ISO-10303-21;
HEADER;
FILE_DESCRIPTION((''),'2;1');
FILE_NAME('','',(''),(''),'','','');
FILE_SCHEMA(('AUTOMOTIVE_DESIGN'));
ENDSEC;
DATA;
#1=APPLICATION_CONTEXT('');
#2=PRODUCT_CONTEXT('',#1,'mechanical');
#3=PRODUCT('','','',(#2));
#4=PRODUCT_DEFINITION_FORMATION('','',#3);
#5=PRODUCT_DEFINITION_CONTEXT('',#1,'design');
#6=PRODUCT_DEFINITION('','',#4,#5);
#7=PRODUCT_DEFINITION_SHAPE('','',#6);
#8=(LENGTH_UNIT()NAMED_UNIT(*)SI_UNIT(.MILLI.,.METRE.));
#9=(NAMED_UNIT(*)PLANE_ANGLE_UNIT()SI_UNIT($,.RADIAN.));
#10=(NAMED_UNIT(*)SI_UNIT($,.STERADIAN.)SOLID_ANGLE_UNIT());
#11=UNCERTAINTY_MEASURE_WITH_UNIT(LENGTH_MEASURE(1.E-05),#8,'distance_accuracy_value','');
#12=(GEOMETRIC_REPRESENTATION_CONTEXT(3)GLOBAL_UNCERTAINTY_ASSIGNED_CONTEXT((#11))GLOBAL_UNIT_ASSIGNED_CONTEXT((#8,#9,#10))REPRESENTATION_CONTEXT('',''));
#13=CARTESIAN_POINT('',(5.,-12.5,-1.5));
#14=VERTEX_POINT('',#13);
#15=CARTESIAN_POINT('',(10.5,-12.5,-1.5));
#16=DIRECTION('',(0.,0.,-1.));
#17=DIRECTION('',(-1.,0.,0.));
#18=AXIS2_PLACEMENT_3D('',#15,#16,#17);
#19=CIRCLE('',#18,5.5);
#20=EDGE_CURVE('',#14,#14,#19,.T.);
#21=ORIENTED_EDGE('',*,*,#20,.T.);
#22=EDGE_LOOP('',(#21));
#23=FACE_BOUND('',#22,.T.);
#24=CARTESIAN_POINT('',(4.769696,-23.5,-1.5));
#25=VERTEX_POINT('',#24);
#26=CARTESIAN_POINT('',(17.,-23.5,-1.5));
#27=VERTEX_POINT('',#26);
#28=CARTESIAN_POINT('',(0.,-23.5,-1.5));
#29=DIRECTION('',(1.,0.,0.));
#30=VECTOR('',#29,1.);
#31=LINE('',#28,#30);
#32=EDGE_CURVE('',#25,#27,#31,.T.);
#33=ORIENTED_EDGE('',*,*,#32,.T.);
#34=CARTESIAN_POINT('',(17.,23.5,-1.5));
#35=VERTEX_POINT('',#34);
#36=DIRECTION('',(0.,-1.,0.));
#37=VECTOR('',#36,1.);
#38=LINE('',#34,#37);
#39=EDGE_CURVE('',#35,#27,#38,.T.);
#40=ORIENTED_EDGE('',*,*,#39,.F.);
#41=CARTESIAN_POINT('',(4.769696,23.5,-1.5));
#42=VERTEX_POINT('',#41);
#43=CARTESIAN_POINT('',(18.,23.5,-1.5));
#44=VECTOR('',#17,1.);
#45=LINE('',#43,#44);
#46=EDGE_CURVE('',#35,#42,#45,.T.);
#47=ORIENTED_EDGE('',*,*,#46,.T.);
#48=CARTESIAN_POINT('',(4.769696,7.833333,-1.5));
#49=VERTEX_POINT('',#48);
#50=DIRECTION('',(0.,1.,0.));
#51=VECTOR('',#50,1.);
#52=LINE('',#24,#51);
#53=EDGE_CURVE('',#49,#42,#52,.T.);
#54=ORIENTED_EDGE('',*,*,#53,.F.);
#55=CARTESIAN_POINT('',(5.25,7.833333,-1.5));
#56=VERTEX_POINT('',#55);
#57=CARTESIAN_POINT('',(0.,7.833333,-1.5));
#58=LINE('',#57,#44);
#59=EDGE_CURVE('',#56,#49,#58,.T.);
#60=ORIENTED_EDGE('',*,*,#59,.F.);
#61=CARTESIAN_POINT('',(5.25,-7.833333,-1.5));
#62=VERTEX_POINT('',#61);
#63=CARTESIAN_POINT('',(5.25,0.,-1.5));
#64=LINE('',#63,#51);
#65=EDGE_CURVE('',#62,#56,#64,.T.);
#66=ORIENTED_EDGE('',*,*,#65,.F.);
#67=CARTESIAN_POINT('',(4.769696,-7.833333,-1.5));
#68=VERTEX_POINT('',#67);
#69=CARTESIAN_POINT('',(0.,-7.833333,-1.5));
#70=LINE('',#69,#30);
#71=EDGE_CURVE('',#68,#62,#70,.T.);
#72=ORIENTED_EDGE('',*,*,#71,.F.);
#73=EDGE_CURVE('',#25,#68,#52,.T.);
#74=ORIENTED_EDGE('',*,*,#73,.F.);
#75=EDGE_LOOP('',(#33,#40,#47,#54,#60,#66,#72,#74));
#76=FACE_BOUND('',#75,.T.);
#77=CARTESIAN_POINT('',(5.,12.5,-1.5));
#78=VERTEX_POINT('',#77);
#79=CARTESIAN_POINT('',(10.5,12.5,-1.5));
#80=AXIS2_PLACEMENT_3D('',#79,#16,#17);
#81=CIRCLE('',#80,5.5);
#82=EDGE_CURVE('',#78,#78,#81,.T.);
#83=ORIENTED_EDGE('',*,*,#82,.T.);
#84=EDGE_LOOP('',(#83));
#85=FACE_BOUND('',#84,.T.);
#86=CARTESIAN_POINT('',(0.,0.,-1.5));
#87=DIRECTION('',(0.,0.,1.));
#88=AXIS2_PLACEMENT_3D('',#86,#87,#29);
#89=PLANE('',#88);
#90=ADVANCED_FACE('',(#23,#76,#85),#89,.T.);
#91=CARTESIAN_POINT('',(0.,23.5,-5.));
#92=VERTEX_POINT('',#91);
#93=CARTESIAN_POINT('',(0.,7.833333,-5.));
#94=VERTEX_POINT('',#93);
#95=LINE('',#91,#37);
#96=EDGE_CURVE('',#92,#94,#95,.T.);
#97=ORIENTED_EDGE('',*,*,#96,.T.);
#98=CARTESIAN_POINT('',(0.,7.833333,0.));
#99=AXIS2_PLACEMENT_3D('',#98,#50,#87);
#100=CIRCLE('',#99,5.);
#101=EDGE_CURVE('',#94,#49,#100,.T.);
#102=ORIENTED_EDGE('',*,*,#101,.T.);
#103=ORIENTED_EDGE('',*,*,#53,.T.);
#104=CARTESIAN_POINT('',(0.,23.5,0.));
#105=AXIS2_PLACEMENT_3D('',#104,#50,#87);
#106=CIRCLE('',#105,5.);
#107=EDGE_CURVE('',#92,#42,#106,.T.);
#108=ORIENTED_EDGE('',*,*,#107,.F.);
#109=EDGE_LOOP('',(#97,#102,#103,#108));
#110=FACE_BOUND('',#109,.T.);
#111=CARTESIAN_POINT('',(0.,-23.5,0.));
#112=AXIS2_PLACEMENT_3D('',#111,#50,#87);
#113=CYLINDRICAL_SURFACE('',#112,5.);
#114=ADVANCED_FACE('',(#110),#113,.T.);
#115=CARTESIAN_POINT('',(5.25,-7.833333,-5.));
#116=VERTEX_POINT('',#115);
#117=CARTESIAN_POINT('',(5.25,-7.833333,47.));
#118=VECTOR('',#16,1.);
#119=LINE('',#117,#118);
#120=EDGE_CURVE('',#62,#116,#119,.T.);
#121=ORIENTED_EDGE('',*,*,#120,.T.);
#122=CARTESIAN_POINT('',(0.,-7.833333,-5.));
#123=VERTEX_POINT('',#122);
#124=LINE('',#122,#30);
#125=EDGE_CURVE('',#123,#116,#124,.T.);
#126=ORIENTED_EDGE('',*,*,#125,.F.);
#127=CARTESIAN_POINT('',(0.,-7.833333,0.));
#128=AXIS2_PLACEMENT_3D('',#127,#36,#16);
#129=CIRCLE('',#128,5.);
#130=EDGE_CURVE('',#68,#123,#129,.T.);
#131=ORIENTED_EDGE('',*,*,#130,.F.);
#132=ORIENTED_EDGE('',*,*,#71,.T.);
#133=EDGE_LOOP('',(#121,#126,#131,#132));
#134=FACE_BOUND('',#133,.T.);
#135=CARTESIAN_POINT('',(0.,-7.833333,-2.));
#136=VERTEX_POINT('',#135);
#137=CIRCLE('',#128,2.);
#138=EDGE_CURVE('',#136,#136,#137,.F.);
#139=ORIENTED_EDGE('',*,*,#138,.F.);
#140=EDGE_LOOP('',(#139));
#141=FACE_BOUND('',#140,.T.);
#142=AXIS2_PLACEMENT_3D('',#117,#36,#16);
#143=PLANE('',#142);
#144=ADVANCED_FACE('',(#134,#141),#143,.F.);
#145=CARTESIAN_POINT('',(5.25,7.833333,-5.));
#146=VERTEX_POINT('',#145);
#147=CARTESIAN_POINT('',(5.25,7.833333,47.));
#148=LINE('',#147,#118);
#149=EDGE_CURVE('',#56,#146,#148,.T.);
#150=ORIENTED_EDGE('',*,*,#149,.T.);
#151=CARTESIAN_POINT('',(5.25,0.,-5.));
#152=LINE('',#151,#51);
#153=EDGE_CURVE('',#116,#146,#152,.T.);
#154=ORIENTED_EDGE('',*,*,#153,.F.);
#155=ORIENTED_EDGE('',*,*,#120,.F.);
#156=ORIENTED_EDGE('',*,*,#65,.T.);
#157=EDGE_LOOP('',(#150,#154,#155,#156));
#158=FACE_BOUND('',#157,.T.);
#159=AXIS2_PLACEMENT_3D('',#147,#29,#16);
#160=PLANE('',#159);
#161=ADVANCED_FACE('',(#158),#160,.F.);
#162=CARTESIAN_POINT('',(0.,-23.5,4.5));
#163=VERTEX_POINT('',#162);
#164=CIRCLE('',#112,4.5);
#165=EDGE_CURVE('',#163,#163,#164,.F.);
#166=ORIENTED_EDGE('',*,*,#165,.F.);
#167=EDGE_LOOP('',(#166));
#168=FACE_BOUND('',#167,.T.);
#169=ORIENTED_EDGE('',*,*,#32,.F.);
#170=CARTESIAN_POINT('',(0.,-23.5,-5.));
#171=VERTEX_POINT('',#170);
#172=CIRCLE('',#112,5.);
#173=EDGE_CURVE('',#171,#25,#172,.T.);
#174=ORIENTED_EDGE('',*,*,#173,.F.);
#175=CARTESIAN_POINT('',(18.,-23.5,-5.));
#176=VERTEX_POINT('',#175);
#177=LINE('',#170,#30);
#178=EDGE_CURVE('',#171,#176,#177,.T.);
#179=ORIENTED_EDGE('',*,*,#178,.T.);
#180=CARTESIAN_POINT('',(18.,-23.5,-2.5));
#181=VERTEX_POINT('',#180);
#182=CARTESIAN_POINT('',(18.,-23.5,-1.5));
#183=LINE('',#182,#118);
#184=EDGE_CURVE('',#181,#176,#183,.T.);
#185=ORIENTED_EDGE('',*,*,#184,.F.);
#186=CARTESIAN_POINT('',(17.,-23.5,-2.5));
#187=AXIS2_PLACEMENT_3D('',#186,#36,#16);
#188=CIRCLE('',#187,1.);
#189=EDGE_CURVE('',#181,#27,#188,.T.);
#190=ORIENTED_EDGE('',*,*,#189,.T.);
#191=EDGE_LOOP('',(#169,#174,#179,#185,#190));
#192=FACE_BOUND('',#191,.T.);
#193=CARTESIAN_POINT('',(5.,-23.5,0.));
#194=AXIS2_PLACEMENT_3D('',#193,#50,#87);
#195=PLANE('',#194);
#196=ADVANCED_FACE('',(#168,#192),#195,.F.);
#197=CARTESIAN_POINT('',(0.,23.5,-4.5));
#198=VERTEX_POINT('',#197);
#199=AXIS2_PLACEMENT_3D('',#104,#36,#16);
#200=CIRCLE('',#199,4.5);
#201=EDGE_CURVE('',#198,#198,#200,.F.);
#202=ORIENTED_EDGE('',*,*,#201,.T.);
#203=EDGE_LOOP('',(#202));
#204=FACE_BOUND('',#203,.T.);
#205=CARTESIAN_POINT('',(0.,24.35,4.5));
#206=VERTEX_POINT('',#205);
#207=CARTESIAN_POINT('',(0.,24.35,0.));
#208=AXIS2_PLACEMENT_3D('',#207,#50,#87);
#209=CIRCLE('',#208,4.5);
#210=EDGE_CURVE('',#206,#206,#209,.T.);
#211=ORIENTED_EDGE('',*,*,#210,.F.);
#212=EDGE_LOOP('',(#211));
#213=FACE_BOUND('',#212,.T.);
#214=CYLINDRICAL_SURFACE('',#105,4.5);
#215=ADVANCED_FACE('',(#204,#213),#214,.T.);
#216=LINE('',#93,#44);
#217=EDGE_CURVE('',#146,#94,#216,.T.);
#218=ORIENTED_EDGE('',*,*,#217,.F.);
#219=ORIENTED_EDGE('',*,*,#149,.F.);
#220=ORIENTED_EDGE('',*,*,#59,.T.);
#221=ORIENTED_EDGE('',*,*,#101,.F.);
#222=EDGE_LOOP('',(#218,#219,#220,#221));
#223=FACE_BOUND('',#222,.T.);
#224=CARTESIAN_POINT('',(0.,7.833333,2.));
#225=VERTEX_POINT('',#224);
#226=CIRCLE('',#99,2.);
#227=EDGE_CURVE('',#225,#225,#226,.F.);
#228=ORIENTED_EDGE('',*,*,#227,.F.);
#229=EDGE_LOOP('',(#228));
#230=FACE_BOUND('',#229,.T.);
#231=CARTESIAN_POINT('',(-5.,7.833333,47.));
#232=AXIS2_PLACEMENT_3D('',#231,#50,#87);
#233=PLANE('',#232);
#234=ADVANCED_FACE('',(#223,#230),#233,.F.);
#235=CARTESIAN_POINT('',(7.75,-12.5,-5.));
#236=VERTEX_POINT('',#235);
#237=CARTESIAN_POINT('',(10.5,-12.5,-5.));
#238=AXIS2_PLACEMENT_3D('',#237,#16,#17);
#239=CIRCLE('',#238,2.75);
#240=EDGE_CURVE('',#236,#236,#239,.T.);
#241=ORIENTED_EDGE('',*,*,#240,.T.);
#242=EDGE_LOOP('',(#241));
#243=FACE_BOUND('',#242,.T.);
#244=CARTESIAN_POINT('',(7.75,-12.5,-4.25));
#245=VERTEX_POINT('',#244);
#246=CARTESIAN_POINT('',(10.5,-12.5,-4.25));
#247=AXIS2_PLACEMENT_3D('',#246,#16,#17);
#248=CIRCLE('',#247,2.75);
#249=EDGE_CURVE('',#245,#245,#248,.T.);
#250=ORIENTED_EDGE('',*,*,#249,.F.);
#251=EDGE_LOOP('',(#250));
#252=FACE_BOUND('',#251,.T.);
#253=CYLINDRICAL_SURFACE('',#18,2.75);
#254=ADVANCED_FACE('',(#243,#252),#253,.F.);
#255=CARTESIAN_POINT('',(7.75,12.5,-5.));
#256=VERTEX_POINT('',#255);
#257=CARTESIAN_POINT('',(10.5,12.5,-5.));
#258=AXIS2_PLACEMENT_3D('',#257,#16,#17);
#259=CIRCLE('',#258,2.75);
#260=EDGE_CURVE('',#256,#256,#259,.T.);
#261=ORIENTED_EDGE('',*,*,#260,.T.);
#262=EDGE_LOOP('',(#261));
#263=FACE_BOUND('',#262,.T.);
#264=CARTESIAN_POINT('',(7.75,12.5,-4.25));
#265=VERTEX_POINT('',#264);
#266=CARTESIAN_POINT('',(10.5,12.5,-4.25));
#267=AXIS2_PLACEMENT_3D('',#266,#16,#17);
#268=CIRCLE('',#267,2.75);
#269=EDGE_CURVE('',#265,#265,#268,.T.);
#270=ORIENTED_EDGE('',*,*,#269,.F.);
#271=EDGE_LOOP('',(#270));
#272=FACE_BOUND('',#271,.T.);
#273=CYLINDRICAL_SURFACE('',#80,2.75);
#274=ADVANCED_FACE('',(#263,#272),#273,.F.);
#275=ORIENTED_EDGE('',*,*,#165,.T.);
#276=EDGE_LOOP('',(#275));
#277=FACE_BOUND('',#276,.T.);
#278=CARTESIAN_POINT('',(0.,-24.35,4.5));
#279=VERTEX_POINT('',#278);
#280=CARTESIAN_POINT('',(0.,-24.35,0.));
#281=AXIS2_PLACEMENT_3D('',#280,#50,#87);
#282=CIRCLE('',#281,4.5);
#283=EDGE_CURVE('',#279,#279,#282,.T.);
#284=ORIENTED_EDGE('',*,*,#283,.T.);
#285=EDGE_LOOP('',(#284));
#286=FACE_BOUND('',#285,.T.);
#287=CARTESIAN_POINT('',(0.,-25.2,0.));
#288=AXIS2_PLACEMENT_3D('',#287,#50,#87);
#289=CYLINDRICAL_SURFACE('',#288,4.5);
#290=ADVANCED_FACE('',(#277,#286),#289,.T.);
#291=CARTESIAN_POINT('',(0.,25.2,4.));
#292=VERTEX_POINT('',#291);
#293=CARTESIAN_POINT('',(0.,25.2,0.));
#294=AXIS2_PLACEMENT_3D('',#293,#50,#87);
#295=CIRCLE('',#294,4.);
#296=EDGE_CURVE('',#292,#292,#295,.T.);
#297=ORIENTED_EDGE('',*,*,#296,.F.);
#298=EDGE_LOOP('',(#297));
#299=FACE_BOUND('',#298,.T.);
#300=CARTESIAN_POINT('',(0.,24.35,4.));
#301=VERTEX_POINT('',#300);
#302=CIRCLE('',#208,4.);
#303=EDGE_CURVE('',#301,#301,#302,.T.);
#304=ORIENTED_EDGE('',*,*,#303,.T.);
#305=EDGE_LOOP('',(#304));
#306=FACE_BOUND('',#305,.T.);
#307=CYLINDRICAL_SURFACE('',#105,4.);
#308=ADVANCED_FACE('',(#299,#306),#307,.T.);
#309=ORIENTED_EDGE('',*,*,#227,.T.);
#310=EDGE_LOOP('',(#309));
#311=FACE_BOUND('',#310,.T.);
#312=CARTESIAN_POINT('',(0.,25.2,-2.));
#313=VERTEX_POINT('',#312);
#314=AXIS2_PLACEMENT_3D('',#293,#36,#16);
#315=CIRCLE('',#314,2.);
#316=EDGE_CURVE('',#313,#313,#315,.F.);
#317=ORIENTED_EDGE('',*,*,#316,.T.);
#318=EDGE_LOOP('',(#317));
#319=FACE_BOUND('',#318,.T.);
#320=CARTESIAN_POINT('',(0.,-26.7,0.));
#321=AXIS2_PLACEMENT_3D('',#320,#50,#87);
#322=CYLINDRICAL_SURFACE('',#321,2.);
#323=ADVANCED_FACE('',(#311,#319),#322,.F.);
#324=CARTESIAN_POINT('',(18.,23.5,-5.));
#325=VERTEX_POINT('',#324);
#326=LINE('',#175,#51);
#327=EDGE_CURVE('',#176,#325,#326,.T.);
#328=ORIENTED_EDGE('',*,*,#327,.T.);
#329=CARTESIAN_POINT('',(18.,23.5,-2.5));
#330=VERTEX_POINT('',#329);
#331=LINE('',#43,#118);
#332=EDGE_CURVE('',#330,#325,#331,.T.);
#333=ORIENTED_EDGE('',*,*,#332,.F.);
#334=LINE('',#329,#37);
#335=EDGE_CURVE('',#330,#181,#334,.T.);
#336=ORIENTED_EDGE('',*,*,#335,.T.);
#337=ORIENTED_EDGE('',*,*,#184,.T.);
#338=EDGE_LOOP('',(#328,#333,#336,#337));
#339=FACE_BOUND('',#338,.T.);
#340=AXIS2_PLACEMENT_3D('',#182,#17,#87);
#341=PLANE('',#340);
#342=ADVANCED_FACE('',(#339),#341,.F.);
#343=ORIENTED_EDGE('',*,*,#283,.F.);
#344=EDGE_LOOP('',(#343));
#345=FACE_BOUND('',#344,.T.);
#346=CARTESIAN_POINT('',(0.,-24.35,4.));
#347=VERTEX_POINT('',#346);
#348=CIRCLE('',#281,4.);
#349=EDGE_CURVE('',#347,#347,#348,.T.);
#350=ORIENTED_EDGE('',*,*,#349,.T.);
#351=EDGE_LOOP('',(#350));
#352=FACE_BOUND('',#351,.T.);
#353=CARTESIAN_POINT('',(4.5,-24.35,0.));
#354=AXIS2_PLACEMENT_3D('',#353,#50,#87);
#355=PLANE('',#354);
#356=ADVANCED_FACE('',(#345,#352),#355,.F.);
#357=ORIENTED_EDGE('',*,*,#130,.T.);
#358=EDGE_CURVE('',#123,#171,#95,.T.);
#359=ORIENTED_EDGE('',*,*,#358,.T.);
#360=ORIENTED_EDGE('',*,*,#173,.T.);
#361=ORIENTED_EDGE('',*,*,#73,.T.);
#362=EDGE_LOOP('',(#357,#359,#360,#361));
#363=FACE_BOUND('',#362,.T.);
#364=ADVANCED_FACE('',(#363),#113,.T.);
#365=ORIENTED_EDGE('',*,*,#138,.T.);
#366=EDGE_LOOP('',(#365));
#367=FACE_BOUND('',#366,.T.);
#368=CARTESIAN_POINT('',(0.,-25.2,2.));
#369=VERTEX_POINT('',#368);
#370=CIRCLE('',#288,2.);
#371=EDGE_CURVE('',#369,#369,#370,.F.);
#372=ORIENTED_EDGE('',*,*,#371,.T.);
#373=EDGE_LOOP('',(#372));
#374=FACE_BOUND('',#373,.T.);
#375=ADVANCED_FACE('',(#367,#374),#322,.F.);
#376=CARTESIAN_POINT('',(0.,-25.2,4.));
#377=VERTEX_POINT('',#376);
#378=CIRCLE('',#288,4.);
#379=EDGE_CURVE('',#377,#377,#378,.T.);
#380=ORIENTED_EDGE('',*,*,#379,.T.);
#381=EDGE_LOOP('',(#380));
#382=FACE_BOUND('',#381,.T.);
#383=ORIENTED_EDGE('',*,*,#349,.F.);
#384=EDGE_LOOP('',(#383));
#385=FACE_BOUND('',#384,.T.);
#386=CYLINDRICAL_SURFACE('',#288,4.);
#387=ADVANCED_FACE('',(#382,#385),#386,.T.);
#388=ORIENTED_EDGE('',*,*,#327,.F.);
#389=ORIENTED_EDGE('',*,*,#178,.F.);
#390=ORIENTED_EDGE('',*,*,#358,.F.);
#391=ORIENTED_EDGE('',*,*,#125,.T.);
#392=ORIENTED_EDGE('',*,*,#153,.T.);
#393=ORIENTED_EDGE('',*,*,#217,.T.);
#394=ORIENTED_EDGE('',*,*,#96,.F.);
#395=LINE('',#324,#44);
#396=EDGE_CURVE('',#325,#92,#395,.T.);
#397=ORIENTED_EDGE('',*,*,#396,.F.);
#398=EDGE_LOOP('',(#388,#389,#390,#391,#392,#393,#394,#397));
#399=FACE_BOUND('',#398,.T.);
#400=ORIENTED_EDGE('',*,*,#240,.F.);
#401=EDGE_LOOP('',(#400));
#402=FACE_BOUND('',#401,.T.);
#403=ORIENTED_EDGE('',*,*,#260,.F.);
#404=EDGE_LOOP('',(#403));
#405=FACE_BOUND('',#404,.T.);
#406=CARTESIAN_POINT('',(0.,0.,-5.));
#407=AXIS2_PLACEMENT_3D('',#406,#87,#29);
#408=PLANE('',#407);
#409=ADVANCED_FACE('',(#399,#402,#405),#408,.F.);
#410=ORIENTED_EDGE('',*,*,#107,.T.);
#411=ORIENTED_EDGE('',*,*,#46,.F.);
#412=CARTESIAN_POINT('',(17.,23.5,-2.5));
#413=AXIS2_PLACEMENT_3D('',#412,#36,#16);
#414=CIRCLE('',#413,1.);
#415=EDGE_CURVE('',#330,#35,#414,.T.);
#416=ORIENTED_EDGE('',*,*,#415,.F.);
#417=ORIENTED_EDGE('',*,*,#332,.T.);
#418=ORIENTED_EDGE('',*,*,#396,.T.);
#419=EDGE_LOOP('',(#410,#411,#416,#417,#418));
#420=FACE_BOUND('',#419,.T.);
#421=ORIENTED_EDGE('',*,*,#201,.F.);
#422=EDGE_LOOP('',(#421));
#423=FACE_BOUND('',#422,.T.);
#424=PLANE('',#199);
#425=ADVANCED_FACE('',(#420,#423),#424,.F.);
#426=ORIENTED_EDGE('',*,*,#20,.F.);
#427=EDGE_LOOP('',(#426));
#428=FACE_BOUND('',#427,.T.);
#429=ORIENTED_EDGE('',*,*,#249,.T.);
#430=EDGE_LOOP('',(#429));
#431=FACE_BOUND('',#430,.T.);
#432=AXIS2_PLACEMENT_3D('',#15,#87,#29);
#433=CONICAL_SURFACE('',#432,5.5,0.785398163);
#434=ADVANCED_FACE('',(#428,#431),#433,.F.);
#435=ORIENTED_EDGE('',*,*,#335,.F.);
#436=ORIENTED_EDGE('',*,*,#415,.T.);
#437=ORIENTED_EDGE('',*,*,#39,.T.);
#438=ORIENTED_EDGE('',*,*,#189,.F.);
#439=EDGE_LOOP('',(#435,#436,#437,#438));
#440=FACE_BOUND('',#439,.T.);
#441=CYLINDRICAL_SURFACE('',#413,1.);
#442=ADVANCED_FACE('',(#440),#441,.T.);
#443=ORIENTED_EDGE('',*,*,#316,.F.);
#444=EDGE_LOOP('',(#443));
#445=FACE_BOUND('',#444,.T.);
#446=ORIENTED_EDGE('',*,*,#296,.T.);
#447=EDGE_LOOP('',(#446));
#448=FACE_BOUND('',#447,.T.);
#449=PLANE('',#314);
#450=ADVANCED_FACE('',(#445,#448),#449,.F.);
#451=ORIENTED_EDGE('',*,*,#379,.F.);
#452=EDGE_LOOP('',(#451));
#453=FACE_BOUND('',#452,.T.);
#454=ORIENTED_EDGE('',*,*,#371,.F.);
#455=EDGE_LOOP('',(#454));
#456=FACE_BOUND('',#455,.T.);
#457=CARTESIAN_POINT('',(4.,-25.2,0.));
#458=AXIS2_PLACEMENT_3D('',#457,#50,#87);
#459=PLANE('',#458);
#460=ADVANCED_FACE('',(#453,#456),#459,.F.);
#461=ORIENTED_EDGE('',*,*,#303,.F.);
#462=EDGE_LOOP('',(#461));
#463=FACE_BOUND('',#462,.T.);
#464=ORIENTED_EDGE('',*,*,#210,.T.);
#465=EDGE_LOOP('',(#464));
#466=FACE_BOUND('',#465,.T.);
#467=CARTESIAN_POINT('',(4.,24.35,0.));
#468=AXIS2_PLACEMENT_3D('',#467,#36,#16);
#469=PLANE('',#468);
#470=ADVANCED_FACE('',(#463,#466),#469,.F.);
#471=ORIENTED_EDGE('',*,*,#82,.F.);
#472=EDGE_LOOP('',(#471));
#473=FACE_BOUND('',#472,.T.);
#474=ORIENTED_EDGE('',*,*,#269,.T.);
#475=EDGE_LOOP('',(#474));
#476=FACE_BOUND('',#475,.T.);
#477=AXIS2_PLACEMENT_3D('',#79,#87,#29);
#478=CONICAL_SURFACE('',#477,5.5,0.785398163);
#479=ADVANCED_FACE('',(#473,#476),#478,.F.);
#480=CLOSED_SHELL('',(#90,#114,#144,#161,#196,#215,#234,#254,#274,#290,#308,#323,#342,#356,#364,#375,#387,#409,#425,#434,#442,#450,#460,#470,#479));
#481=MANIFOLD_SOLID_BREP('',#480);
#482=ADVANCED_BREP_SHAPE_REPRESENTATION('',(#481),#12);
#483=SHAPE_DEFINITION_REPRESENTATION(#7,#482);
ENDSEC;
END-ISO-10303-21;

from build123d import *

# Parameters (mm, degrees)
SKETCH1_W               = 5
SKETCH1_H               = 47
SKETCH2_W               = 18
SKETCH2_H               = 47
BOSS_EXTRUDE1_DEPTH     = 3.5
CUT_EXTRUDE1_DEPTH      = 47
CUT_EXTRUDE1_DEPTH_BACK = 47
SKETCH3_W               = 94
SKETCH3_H               = 94
SKETCH6_W               = 2
SKETCH6_H               = 53.4
CUT_EXTRUDE2_DEPTH      = 23.5
CUT_EXTRUDE2_DEPTH_BACK = 23.5


with BuildPart() as part:
    # Sketch1 → Revolve1 (revolve)
    with BuildSketch(Plane.XY):
        with Locations((2.5, 0)):
            Rectangle(SKETCH1_W, SKETCH1_H)
    revolve(axis=Axis((0, -23.5, 0), (0, 1, 0)))

    # Sketch2 → Boss-Extrude1 (add)
    with BuildSketch(Plane.XY.offset(-5)):
        with Locations((9, 0)):
            Rectangle(SKETCH2_W, SKETCH2_H)
    extrude(amount=BOSS_EXTRUDE1_DEPTH)

    # Sketch3 → Cut-Extrude1 (cut, two sides: drawn at the far end of the back side and taken through both)
    with BuildSketch(Plane.XY.offset(-CUT_EXTRUDE1_DEPTH_BACK)):
        Rectangle(SKETCH3_W, SKETCH3_H)
        Polygon((-5, 7.833333333), (5.25, 7.833333333), (5.25, -7.833333333), (-5, -7.833333333), (-5, -23.5), (18, -23.5), (18, 23.5), (-5, 23.5), align=None, mode=Mode.SUBTRACT)
    extrude(amount=CUT_EXTRUDE1_DEPTH + CUT_EXTRUDE1_DEPTH_BACK, mode=Mode.SUBTRACT)

    # Sketch4 → Revolve2 (revolve)
    with BuildSketch(Plane.XY):
        Polygon((0, 25.2), (4, 25.2), (4, 24.35), (4.5, 24.35), (4.5, 23.5), (0, 23.5), align=None)
    revolve(axis=Axis((0, 23.5, 0), (0, 1, 0)))

    # Sketch5 → Revolve3 (revolve)
    with BuildSketch(Plane.XY):
        Polygon((0, -23.5), (4.5, -23.5), (4.5, -24.35), (4, -24.35), (4, -25.2), (0, -25.2), align=None)
    revolve(axis=Axis((0, -25.2, 0), (0, 1, 0)))

    # Sketch6 → Cut-Revolve1 (revolve, cut)
    with BuildSketch(Plane.XY):
        with Locations((1, 0)):
            Rectangle(SKETCH6_W, SKETCH6_H)
    revolve(axis=Axis((0, -26.7, 0), (0, 1, 0)), mode=Mode.SUBTRACT)

    # Sketch7 → Cut-Revolve2 (revolve, cut)
    with BuildSketch(Plane(origin=(10.5, 0, 0), x_dir=(0, 0, -1), z_dir=(1, 0, 0))):
        Polygon((5, -12.5), (5, -15.25), (4.25, -15.25), (1.5, -18), (1.5, -12.5), align=None)
    revolve(axis=Axis((10.5, -12.5, -1.5), (0, 0, -1)), mode=Mode.SUBTRACT)

    # Sketch8 → Cut-Revolve3 (revolve, cut)
    with BuildSketch(Plane(origin=(10.5, 0, 0), x_dir=(0, 0, -1), z_dir=(1, 0, 0))):
        Polygon((5, 12.5), (5, 9.75), (4.25, 9.75), (1.5, 7), (1.5, 12.5), align=None)
    revolve(axis=Axis((10.5, 12.5, -1.5), (0, 0, -1)), mode=Mode.SUBTRACT)

    # Sketch9 → Cut-Extrude2 (cut, two sides: drawn at the far end of the back side and taken through both)
    with BuildSketch(Plane(origin=(0, 0, 0), x_dir=(1, 0, 0), z_dir=(0, 1, 0)).offset(-CUT_EXTRUDE2_DEPTH_BACK)):
        with BuildLine():
            Line((17, 1.5), (18, 1.5))
            Line((18, 1.5), (18, 2.5))
            ThreePointArc((18, 2.5), (17.707106781, 1.792893219), (17, 1.5))
        make_face()
    extrude(amount=CUT_EXTRUDE2_DEPTH + CUT_EXTRUDE2_DEPTH_BACK, mode=Mode.SUBTRACT)


solid = part.part
